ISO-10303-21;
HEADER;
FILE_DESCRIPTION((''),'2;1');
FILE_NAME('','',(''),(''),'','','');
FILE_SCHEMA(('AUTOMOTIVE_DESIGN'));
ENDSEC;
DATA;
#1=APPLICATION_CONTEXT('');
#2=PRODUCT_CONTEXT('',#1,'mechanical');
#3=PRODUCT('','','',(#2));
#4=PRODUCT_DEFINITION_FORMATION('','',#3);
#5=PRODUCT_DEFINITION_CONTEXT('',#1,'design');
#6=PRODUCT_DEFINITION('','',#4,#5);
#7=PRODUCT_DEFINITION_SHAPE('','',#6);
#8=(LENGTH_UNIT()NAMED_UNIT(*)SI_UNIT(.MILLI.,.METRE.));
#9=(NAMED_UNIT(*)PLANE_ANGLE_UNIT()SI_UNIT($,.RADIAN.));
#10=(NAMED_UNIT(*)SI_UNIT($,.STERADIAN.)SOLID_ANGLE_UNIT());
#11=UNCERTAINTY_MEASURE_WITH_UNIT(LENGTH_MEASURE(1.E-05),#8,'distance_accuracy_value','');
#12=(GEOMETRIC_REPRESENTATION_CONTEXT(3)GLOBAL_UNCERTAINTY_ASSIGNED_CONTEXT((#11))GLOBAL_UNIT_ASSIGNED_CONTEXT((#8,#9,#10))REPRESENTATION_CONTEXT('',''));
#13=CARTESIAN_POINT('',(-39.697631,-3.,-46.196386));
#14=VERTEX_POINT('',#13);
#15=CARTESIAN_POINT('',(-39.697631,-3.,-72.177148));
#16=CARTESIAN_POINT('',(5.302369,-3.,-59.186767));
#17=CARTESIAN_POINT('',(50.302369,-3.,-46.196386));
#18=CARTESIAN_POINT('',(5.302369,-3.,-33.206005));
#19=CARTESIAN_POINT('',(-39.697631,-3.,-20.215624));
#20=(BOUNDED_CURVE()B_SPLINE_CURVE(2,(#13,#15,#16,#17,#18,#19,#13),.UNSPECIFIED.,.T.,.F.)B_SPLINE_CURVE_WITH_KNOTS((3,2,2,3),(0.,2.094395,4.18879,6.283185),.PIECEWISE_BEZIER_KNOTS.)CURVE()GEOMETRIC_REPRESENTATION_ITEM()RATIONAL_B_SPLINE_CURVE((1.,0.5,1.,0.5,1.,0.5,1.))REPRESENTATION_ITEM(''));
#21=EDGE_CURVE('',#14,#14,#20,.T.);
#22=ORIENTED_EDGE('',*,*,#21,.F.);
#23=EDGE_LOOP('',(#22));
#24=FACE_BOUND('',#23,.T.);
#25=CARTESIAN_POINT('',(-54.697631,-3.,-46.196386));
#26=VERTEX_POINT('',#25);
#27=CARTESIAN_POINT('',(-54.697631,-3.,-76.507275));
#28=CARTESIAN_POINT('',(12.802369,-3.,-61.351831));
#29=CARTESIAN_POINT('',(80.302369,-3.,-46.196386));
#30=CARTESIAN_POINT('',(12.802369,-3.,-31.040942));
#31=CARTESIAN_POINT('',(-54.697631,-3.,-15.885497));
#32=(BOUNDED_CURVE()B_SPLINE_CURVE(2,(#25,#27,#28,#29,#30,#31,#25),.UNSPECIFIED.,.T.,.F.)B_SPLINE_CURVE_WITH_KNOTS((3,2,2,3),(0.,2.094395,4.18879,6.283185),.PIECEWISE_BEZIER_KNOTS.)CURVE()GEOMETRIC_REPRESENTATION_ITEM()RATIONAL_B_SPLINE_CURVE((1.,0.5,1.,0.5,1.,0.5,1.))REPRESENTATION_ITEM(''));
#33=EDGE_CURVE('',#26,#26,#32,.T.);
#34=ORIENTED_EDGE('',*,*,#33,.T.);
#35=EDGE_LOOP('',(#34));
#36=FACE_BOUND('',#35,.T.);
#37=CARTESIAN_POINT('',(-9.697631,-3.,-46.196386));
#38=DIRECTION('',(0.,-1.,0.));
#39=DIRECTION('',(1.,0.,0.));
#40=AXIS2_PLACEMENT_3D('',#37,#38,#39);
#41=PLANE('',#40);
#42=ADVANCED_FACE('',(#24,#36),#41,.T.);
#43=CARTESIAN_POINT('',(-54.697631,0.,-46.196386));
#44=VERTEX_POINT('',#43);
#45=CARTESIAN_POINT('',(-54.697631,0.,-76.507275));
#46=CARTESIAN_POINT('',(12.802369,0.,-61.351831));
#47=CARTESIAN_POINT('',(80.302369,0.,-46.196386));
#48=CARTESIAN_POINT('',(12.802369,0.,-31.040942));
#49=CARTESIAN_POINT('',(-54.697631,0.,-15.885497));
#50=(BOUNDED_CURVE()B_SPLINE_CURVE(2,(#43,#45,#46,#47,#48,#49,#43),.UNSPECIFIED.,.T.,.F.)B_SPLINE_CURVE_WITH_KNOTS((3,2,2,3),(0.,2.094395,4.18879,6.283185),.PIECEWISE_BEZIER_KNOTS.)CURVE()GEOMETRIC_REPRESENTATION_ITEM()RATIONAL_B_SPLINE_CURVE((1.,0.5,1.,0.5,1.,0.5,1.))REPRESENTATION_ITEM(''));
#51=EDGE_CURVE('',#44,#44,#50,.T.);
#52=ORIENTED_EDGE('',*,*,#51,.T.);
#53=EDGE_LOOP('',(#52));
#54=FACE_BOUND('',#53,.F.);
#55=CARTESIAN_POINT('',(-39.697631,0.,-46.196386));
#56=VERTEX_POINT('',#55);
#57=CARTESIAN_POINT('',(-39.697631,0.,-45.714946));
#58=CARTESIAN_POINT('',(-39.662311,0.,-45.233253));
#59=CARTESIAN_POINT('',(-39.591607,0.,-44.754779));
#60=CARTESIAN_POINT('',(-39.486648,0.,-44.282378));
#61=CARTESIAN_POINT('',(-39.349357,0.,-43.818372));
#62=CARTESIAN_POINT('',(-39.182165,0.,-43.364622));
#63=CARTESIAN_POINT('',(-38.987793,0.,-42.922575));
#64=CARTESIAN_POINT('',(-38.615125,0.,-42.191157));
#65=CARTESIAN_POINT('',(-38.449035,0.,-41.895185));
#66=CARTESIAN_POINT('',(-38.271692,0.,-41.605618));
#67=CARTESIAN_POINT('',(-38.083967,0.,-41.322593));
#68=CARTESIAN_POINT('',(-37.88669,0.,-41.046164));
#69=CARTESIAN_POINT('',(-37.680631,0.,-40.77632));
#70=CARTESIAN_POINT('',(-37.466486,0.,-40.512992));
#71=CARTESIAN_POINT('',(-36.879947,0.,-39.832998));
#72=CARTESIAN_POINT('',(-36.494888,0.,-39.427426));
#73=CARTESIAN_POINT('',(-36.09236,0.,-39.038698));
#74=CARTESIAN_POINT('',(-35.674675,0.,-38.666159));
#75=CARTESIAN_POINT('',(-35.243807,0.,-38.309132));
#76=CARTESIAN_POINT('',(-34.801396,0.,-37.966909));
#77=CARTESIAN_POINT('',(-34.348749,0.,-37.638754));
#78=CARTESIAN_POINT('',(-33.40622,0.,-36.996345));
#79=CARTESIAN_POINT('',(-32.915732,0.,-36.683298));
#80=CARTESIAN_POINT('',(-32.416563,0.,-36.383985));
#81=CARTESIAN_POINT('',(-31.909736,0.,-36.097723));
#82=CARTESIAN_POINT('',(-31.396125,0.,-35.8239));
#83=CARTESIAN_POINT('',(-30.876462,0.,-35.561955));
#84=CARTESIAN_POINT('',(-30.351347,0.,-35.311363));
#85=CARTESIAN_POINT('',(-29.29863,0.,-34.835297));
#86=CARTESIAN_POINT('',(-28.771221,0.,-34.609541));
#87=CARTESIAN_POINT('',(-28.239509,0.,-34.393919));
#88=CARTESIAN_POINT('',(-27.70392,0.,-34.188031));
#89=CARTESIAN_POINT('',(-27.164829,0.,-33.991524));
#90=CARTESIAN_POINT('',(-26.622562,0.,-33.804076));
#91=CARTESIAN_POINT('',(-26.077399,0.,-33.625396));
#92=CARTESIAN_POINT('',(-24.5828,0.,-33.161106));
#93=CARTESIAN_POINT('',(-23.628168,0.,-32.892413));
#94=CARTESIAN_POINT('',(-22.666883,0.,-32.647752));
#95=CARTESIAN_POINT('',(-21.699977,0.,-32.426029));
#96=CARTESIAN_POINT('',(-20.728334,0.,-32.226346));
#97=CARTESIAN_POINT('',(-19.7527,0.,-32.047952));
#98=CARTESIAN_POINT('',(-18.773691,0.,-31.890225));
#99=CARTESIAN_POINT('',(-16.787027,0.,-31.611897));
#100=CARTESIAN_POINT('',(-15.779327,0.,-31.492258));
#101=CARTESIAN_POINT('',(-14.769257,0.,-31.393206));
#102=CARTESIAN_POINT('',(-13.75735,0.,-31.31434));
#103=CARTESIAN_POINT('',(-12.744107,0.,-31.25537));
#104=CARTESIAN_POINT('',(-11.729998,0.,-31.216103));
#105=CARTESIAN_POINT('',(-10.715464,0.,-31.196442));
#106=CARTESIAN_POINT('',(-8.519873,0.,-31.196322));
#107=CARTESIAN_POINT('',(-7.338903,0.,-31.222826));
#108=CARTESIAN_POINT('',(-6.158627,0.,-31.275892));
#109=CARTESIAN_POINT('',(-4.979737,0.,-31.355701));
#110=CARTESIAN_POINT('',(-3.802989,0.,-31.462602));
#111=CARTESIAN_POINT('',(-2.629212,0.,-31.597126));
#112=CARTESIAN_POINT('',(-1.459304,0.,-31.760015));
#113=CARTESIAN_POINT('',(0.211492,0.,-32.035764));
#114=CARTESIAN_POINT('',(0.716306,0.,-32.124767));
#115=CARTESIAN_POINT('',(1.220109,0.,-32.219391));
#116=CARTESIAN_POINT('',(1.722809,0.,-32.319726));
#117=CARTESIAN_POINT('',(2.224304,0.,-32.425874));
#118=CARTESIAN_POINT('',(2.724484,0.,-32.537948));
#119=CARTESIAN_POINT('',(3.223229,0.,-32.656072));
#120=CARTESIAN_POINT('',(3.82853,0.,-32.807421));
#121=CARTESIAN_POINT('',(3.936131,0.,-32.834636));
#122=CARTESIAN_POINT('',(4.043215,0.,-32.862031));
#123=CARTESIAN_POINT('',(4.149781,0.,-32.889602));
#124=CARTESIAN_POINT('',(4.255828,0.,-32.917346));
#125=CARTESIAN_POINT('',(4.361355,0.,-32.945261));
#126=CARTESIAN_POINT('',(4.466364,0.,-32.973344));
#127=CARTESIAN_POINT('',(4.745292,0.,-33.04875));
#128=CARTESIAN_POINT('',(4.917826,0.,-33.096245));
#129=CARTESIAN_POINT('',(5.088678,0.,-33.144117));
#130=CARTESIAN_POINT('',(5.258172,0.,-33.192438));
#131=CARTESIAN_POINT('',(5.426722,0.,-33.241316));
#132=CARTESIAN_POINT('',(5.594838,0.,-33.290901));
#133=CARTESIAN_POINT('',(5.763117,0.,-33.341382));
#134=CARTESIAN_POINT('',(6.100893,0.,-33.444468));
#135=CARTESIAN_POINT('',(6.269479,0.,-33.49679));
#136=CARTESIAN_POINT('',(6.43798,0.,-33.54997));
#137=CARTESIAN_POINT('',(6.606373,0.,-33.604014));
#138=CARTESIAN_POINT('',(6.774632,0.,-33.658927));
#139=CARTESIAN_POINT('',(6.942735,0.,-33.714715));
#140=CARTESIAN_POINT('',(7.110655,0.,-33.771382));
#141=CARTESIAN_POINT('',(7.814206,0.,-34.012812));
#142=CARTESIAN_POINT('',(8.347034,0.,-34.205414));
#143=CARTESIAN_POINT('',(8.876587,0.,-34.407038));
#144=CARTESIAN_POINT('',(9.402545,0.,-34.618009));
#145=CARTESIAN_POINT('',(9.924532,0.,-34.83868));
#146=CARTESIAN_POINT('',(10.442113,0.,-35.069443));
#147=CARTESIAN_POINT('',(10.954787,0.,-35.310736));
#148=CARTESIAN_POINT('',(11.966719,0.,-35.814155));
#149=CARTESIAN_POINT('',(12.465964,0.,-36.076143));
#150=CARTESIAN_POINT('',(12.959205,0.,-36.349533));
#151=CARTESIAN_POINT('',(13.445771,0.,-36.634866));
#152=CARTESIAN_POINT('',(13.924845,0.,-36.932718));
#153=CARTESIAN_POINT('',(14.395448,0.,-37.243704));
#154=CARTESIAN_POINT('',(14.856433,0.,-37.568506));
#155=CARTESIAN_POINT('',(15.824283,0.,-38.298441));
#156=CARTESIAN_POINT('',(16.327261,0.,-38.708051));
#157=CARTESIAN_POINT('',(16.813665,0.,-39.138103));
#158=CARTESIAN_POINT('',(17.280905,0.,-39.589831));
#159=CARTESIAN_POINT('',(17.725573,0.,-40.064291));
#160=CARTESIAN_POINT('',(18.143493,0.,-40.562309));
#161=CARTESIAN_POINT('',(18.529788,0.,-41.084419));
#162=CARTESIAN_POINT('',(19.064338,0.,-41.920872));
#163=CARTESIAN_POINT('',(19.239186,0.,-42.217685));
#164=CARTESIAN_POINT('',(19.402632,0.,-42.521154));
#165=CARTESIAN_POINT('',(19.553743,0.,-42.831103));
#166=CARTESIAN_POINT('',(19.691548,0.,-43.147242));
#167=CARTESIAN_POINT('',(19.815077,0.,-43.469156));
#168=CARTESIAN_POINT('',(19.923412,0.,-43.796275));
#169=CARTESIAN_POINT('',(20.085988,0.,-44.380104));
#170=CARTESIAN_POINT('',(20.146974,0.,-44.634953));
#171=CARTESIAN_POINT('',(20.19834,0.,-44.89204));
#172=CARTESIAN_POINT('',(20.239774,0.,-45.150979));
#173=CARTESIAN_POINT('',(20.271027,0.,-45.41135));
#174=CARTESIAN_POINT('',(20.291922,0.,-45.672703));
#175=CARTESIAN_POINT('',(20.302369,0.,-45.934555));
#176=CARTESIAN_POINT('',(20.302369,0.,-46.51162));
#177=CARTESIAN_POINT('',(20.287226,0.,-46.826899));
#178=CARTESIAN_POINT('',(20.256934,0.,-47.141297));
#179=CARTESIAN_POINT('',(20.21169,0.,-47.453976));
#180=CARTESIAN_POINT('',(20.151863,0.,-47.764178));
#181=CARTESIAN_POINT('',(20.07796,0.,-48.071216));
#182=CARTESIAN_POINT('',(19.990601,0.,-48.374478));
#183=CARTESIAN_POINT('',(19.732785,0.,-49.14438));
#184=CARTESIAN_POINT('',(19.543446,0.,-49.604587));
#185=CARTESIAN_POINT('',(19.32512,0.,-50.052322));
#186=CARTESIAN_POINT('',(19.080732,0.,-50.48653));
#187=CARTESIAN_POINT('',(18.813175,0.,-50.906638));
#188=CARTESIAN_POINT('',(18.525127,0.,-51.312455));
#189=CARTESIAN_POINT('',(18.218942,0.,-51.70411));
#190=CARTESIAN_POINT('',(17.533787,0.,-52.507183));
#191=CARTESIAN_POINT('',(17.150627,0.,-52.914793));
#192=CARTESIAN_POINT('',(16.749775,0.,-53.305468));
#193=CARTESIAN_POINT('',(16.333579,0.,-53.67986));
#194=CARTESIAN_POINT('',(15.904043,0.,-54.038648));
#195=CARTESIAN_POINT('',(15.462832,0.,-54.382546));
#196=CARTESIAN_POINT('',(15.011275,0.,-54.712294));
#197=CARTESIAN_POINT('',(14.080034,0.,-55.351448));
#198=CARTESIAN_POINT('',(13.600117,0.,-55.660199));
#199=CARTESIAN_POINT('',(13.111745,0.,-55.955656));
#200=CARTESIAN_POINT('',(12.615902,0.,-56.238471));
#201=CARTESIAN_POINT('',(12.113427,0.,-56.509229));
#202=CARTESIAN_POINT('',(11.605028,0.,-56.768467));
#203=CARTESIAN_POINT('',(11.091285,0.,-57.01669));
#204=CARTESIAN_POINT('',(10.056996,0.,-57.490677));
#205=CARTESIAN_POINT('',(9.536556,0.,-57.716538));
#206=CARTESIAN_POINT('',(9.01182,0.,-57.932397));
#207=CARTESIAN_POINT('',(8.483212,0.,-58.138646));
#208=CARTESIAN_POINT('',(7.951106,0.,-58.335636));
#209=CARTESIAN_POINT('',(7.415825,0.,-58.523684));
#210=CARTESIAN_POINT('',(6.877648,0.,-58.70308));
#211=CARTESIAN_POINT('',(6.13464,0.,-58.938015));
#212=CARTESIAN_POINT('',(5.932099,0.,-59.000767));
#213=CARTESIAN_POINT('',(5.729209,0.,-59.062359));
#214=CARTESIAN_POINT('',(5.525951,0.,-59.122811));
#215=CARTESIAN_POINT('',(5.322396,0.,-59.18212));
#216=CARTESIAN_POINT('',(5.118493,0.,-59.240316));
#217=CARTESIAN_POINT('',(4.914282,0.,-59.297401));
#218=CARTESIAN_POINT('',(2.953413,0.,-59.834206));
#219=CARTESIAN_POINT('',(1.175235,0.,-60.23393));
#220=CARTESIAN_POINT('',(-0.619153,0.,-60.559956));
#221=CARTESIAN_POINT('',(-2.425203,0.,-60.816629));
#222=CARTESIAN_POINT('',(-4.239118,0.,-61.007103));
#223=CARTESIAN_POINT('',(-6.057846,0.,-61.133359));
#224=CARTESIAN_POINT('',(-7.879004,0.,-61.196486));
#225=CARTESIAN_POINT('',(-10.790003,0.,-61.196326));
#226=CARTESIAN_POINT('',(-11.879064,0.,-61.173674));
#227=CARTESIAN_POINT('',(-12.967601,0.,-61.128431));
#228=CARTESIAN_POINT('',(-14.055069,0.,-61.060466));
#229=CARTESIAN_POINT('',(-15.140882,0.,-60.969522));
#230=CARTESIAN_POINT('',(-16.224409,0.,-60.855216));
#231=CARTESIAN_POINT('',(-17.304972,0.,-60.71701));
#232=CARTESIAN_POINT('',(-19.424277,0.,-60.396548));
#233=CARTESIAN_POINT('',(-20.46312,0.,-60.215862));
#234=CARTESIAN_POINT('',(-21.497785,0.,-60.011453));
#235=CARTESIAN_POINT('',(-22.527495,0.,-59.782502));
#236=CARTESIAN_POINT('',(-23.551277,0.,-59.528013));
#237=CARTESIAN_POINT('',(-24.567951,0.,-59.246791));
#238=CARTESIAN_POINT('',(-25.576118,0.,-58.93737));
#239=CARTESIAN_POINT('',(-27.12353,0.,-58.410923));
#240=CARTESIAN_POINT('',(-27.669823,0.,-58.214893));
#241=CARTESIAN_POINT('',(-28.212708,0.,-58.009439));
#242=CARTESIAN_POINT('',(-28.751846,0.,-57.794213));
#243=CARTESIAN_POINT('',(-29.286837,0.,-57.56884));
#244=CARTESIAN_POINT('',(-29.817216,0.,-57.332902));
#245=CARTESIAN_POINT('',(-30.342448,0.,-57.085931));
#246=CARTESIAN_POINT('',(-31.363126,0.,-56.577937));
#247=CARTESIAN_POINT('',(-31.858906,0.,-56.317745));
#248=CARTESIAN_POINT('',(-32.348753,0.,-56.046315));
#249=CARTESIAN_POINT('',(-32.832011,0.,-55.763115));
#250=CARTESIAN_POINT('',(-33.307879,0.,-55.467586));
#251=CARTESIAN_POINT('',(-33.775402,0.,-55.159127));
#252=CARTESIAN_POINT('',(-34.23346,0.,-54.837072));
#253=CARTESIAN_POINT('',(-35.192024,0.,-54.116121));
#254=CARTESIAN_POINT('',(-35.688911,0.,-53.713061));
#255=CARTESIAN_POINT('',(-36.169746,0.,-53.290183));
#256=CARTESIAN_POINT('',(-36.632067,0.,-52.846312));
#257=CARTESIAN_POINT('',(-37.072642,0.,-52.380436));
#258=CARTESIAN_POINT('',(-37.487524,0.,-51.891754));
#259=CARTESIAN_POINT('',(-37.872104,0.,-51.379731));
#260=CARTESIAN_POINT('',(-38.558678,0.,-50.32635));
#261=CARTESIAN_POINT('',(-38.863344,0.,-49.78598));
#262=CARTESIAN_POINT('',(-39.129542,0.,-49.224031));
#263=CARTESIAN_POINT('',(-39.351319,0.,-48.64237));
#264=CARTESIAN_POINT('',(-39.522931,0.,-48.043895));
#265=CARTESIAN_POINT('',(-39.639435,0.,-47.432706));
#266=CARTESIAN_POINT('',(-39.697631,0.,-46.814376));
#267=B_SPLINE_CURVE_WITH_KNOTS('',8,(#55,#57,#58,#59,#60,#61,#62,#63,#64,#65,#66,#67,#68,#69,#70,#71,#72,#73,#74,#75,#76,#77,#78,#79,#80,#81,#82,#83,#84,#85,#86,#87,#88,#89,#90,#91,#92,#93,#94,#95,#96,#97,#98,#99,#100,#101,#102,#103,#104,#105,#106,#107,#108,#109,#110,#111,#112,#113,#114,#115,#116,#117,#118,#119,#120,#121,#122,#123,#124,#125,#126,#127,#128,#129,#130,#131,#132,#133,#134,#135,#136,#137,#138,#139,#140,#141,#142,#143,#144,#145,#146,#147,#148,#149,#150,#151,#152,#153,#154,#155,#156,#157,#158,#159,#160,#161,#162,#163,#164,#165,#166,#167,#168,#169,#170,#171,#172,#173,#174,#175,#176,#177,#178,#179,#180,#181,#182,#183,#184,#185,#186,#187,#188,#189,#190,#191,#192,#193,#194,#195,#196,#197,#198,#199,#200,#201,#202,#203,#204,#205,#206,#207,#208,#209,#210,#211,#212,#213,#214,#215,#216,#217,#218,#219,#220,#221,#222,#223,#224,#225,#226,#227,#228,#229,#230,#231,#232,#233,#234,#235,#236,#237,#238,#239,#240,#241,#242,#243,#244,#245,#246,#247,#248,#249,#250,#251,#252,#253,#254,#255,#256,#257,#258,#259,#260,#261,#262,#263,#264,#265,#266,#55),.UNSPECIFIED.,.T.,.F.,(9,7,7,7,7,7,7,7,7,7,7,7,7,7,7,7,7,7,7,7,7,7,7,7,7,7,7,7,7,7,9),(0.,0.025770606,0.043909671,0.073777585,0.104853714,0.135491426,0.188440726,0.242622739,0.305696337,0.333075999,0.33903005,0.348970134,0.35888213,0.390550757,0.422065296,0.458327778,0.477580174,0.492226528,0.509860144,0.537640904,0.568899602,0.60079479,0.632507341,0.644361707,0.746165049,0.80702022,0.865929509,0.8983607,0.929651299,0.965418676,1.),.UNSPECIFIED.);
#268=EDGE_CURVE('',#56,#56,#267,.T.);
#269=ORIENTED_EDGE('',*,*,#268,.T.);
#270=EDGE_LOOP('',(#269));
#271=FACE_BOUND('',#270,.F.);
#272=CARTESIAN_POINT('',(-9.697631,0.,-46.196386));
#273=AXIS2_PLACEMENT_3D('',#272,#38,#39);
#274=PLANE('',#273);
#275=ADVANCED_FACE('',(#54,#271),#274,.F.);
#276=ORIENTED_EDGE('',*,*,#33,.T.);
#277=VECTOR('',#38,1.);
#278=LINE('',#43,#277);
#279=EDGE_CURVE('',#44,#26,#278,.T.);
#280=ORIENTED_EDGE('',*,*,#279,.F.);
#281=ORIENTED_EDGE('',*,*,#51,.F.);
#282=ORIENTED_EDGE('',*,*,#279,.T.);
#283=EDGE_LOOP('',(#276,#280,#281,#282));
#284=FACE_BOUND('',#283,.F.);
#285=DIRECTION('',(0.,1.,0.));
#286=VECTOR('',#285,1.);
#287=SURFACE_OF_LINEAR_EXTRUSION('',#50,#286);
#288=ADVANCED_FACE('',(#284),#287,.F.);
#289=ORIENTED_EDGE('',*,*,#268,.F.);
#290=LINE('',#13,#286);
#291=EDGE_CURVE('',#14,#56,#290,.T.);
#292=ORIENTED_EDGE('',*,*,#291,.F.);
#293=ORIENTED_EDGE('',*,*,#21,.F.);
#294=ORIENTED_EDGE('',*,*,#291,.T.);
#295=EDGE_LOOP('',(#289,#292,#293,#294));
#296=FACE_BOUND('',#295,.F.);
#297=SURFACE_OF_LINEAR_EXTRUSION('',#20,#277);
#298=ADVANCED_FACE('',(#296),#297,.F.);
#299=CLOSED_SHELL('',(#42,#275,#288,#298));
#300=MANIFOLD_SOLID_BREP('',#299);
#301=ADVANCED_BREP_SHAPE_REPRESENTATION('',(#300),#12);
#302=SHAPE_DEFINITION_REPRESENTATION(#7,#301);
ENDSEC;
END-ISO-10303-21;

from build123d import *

# Parameters (mm, degrees)
F1_DEPTH = 3
F3_DEPTH = 3.001


with BuildPart() as f1:
    # F0 (on Front) → F1 (new body)
    with BuildSketch(Plane.XZ):
        with BuildLine():
            add(Edge.make_bspline(
                [(-54.697631, -46.196386), (-54.697631, -76.507275), (12.802369, -61.351831), (80.302369, -46.196386), (12.802369, -31.040942), (-54.697631, -15.885497), (-54.697631, -46.196386)],
                knots=[0, 0, 0, 2.094395, 2.094395, 4.18879, 4.18879, 6.283185, 6.283185, 6.283185], degree=2, weights=[1, 0.5, 1, 0.5, 1, 0.5, 1]))
        make_face()
    extrude(amount=F1_DEPTH)

    # F2 (on face) → F3 (cut, through all)
    with BuildSketch(Plane.XZ.offset(3)):
        with BuildLine():
            add(Edge.make_bspline(
                [(-39.697631, -46.196386), (-39.697631, -72.177148), (5.302369, -59.186767), (50.302369, -46.196386), (5.302369, -33.206005), (-39.697631, -20.215624), (-39.697631, -46.196386)],
                knots=[0, 0, 0, 2.094395, 2.094395, 4.18879, 4.18879, 6.283185, 6.283185, 6.283185], degree=2, weights=[1, 0.5, 1, 0.5, 1, 0.5, 1]))
        make_face()
    extrude(amount=-F3_DEPTH, mode=Mode.SUBTRACT)


solid = f1.part
